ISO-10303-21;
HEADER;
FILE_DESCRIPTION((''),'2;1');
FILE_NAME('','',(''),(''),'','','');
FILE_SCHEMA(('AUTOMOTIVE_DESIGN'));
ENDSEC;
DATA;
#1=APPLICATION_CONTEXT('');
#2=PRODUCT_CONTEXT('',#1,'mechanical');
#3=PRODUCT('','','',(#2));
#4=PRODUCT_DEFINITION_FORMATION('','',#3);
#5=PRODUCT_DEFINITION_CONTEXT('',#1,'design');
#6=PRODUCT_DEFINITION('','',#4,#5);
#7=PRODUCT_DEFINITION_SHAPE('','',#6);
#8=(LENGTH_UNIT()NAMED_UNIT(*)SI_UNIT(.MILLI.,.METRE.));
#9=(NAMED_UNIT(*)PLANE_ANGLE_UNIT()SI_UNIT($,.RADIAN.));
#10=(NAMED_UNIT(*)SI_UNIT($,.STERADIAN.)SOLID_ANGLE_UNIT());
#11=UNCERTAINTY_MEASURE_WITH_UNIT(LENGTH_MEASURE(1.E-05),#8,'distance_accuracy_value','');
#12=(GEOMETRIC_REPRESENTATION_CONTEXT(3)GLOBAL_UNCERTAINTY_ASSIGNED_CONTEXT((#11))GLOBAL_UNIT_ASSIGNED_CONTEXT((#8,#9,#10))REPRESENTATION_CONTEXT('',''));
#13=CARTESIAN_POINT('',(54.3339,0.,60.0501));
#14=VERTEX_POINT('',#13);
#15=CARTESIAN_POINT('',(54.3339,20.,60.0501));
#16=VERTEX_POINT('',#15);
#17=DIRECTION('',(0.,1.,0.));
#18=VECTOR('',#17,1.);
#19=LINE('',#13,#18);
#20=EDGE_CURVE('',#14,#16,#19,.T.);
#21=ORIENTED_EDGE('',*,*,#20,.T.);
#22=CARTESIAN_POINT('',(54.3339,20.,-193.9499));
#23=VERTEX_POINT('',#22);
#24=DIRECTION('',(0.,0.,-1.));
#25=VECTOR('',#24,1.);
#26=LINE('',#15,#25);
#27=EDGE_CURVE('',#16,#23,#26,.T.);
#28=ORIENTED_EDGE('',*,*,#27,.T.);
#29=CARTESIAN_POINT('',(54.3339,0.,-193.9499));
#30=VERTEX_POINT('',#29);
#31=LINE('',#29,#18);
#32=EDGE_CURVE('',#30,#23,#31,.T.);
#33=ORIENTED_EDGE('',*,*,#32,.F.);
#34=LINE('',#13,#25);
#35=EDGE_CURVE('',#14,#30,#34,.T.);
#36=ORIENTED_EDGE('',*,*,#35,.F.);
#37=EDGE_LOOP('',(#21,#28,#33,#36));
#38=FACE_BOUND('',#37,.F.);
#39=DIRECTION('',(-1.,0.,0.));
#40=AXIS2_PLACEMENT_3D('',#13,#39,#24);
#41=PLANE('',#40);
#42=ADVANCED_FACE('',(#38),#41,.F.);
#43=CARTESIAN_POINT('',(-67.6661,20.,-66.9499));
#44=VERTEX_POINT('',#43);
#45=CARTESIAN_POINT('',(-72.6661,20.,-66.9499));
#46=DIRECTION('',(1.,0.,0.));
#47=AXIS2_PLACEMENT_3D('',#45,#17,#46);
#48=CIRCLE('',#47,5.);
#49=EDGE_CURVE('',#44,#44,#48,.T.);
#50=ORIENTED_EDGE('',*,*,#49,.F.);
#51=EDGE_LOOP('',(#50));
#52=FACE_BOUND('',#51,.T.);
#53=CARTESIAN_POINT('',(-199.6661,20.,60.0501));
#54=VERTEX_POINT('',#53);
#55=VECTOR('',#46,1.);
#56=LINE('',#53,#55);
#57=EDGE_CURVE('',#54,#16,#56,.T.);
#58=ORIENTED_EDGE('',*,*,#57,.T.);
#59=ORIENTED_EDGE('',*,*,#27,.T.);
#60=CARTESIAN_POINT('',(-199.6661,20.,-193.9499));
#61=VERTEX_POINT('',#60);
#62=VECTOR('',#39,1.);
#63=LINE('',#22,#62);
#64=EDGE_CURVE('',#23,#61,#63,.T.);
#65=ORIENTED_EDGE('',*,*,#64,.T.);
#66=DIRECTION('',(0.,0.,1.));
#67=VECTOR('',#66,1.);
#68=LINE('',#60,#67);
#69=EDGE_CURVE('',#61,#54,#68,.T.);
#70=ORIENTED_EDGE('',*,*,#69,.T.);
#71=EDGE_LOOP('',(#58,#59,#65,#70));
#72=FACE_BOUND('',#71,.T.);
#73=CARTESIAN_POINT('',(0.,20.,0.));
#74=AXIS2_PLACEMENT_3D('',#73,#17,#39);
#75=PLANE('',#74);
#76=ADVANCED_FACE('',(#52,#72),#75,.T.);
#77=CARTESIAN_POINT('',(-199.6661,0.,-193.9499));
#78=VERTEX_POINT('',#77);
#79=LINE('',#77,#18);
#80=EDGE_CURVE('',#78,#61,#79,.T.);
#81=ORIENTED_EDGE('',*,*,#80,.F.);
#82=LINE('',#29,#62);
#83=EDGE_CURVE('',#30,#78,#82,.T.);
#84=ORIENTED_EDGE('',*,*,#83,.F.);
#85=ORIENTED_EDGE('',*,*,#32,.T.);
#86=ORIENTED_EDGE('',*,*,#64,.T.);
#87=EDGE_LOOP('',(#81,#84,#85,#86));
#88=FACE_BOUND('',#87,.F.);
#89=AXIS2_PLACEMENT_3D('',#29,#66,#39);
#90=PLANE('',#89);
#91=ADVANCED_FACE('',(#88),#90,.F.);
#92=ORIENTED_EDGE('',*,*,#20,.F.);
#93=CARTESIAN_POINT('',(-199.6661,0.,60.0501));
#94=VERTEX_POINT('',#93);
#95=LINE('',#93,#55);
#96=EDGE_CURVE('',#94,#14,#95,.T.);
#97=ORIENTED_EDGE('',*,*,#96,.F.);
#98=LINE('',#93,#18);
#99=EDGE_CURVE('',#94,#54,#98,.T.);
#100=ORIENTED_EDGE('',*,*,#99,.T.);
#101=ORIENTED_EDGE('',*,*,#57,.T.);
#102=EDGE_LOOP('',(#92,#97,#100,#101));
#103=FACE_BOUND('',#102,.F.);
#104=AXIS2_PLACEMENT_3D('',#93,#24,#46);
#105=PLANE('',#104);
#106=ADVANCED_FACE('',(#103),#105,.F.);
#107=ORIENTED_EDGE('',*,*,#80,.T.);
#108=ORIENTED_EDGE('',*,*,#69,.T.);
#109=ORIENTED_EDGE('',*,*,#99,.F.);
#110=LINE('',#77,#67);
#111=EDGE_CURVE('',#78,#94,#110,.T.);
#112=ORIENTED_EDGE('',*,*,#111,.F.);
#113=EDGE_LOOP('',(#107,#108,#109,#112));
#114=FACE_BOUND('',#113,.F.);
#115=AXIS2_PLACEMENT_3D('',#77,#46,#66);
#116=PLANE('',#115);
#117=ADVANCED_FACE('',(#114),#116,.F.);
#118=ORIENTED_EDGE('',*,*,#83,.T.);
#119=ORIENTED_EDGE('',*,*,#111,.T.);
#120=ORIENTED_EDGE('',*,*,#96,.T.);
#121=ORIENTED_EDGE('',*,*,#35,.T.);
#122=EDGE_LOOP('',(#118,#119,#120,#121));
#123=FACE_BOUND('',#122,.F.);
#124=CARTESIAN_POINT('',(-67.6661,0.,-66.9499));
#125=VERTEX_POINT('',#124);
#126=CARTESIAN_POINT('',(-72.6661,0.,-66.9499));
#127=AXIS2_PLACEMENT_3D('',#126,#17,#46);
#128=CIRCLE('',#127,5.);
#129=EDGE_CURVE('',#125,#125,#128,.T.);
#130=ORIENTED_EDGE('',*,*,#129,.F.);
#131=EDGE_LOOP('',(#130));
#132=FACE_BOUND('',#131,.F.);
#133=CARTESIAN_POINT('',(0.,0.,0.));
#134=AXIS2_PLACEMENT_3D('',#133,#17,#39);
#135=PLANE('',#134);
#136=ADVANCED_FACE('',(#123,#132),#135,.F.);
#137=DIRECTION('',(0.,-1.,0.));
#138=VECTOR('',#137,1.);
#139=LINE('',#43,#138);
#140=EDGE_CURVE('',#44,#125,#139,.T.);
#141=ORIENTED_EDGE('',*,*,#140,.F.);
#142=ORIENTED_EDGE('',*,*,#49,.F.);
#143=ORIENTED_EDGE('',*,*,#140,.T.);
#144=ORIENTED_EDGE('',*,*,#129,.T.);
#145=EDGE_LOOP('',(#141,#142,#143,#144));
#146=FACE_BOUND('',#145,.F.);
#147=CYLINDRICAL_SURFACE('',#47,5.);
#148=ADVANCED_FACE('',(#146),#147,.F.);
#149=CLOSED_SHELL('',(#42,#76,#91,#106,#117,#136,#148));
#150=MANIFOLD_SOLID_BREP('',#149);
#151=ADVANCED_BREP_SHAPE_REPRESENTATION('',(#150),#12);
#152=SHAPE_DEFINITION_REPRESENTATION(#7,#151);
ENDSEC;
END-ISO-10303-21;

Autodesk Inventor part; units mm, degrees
ref_plane "YZ Plane" through (0, 0, 0) normal (1, 0, 0) x (0, 1, 0)
ref_plane "XZ Plane" through (0, 0, 0) normal (0, 1, 0) x (-1, 0, 0)
ref_plane "XY Plane" through (0, 0, 0) normal (0, 0, 1) x (1, 0, 0)
sketch "Sketch1" plane through (0, 0, 0) normal (0, 1, 0) x (-1, 0, 0)
  line L0 (-54.3339, 60.0501) -> (-54.3339, -193.9499)
  line L1 (-54.3339, -193.9499) -> (199.6661, -193.9499)
  line L2 (199.6661, -193.9499) -> (199.6661, 60.0501)
  line L3 (199.6661, 60.0501) -> (-54.3339, 60.0501)
  point P0 (0, 0)
  dimension "d0" = 254
  dimension "d1" = 254
extrude "Extrusion1" add sketch "Sketch1" along normal blind 20
sketch "Sketch2" plane through (0, 20, 0) normal (0, 1, 0) x (1, 0, 0)
  line L0 (54.3339, -60.0501) -> (54.3339, 193.9499) projected
  line L1 (-199.6661, 193.9499) -> (54.3339, -60.0501) construction
  line L2 (-199.6661, -60.0501) -> (54.3339, 193.9499) construction
  circle A0 centre (-72.6661, 66.9499) radius 5
  point P0 (0, 0)
  dimension "d4" = 10
extrude "Extrusion2" cut sketch "Sketch2" against normal blind 25.4
properties part number "Plate" material "Aluminum 6061"
